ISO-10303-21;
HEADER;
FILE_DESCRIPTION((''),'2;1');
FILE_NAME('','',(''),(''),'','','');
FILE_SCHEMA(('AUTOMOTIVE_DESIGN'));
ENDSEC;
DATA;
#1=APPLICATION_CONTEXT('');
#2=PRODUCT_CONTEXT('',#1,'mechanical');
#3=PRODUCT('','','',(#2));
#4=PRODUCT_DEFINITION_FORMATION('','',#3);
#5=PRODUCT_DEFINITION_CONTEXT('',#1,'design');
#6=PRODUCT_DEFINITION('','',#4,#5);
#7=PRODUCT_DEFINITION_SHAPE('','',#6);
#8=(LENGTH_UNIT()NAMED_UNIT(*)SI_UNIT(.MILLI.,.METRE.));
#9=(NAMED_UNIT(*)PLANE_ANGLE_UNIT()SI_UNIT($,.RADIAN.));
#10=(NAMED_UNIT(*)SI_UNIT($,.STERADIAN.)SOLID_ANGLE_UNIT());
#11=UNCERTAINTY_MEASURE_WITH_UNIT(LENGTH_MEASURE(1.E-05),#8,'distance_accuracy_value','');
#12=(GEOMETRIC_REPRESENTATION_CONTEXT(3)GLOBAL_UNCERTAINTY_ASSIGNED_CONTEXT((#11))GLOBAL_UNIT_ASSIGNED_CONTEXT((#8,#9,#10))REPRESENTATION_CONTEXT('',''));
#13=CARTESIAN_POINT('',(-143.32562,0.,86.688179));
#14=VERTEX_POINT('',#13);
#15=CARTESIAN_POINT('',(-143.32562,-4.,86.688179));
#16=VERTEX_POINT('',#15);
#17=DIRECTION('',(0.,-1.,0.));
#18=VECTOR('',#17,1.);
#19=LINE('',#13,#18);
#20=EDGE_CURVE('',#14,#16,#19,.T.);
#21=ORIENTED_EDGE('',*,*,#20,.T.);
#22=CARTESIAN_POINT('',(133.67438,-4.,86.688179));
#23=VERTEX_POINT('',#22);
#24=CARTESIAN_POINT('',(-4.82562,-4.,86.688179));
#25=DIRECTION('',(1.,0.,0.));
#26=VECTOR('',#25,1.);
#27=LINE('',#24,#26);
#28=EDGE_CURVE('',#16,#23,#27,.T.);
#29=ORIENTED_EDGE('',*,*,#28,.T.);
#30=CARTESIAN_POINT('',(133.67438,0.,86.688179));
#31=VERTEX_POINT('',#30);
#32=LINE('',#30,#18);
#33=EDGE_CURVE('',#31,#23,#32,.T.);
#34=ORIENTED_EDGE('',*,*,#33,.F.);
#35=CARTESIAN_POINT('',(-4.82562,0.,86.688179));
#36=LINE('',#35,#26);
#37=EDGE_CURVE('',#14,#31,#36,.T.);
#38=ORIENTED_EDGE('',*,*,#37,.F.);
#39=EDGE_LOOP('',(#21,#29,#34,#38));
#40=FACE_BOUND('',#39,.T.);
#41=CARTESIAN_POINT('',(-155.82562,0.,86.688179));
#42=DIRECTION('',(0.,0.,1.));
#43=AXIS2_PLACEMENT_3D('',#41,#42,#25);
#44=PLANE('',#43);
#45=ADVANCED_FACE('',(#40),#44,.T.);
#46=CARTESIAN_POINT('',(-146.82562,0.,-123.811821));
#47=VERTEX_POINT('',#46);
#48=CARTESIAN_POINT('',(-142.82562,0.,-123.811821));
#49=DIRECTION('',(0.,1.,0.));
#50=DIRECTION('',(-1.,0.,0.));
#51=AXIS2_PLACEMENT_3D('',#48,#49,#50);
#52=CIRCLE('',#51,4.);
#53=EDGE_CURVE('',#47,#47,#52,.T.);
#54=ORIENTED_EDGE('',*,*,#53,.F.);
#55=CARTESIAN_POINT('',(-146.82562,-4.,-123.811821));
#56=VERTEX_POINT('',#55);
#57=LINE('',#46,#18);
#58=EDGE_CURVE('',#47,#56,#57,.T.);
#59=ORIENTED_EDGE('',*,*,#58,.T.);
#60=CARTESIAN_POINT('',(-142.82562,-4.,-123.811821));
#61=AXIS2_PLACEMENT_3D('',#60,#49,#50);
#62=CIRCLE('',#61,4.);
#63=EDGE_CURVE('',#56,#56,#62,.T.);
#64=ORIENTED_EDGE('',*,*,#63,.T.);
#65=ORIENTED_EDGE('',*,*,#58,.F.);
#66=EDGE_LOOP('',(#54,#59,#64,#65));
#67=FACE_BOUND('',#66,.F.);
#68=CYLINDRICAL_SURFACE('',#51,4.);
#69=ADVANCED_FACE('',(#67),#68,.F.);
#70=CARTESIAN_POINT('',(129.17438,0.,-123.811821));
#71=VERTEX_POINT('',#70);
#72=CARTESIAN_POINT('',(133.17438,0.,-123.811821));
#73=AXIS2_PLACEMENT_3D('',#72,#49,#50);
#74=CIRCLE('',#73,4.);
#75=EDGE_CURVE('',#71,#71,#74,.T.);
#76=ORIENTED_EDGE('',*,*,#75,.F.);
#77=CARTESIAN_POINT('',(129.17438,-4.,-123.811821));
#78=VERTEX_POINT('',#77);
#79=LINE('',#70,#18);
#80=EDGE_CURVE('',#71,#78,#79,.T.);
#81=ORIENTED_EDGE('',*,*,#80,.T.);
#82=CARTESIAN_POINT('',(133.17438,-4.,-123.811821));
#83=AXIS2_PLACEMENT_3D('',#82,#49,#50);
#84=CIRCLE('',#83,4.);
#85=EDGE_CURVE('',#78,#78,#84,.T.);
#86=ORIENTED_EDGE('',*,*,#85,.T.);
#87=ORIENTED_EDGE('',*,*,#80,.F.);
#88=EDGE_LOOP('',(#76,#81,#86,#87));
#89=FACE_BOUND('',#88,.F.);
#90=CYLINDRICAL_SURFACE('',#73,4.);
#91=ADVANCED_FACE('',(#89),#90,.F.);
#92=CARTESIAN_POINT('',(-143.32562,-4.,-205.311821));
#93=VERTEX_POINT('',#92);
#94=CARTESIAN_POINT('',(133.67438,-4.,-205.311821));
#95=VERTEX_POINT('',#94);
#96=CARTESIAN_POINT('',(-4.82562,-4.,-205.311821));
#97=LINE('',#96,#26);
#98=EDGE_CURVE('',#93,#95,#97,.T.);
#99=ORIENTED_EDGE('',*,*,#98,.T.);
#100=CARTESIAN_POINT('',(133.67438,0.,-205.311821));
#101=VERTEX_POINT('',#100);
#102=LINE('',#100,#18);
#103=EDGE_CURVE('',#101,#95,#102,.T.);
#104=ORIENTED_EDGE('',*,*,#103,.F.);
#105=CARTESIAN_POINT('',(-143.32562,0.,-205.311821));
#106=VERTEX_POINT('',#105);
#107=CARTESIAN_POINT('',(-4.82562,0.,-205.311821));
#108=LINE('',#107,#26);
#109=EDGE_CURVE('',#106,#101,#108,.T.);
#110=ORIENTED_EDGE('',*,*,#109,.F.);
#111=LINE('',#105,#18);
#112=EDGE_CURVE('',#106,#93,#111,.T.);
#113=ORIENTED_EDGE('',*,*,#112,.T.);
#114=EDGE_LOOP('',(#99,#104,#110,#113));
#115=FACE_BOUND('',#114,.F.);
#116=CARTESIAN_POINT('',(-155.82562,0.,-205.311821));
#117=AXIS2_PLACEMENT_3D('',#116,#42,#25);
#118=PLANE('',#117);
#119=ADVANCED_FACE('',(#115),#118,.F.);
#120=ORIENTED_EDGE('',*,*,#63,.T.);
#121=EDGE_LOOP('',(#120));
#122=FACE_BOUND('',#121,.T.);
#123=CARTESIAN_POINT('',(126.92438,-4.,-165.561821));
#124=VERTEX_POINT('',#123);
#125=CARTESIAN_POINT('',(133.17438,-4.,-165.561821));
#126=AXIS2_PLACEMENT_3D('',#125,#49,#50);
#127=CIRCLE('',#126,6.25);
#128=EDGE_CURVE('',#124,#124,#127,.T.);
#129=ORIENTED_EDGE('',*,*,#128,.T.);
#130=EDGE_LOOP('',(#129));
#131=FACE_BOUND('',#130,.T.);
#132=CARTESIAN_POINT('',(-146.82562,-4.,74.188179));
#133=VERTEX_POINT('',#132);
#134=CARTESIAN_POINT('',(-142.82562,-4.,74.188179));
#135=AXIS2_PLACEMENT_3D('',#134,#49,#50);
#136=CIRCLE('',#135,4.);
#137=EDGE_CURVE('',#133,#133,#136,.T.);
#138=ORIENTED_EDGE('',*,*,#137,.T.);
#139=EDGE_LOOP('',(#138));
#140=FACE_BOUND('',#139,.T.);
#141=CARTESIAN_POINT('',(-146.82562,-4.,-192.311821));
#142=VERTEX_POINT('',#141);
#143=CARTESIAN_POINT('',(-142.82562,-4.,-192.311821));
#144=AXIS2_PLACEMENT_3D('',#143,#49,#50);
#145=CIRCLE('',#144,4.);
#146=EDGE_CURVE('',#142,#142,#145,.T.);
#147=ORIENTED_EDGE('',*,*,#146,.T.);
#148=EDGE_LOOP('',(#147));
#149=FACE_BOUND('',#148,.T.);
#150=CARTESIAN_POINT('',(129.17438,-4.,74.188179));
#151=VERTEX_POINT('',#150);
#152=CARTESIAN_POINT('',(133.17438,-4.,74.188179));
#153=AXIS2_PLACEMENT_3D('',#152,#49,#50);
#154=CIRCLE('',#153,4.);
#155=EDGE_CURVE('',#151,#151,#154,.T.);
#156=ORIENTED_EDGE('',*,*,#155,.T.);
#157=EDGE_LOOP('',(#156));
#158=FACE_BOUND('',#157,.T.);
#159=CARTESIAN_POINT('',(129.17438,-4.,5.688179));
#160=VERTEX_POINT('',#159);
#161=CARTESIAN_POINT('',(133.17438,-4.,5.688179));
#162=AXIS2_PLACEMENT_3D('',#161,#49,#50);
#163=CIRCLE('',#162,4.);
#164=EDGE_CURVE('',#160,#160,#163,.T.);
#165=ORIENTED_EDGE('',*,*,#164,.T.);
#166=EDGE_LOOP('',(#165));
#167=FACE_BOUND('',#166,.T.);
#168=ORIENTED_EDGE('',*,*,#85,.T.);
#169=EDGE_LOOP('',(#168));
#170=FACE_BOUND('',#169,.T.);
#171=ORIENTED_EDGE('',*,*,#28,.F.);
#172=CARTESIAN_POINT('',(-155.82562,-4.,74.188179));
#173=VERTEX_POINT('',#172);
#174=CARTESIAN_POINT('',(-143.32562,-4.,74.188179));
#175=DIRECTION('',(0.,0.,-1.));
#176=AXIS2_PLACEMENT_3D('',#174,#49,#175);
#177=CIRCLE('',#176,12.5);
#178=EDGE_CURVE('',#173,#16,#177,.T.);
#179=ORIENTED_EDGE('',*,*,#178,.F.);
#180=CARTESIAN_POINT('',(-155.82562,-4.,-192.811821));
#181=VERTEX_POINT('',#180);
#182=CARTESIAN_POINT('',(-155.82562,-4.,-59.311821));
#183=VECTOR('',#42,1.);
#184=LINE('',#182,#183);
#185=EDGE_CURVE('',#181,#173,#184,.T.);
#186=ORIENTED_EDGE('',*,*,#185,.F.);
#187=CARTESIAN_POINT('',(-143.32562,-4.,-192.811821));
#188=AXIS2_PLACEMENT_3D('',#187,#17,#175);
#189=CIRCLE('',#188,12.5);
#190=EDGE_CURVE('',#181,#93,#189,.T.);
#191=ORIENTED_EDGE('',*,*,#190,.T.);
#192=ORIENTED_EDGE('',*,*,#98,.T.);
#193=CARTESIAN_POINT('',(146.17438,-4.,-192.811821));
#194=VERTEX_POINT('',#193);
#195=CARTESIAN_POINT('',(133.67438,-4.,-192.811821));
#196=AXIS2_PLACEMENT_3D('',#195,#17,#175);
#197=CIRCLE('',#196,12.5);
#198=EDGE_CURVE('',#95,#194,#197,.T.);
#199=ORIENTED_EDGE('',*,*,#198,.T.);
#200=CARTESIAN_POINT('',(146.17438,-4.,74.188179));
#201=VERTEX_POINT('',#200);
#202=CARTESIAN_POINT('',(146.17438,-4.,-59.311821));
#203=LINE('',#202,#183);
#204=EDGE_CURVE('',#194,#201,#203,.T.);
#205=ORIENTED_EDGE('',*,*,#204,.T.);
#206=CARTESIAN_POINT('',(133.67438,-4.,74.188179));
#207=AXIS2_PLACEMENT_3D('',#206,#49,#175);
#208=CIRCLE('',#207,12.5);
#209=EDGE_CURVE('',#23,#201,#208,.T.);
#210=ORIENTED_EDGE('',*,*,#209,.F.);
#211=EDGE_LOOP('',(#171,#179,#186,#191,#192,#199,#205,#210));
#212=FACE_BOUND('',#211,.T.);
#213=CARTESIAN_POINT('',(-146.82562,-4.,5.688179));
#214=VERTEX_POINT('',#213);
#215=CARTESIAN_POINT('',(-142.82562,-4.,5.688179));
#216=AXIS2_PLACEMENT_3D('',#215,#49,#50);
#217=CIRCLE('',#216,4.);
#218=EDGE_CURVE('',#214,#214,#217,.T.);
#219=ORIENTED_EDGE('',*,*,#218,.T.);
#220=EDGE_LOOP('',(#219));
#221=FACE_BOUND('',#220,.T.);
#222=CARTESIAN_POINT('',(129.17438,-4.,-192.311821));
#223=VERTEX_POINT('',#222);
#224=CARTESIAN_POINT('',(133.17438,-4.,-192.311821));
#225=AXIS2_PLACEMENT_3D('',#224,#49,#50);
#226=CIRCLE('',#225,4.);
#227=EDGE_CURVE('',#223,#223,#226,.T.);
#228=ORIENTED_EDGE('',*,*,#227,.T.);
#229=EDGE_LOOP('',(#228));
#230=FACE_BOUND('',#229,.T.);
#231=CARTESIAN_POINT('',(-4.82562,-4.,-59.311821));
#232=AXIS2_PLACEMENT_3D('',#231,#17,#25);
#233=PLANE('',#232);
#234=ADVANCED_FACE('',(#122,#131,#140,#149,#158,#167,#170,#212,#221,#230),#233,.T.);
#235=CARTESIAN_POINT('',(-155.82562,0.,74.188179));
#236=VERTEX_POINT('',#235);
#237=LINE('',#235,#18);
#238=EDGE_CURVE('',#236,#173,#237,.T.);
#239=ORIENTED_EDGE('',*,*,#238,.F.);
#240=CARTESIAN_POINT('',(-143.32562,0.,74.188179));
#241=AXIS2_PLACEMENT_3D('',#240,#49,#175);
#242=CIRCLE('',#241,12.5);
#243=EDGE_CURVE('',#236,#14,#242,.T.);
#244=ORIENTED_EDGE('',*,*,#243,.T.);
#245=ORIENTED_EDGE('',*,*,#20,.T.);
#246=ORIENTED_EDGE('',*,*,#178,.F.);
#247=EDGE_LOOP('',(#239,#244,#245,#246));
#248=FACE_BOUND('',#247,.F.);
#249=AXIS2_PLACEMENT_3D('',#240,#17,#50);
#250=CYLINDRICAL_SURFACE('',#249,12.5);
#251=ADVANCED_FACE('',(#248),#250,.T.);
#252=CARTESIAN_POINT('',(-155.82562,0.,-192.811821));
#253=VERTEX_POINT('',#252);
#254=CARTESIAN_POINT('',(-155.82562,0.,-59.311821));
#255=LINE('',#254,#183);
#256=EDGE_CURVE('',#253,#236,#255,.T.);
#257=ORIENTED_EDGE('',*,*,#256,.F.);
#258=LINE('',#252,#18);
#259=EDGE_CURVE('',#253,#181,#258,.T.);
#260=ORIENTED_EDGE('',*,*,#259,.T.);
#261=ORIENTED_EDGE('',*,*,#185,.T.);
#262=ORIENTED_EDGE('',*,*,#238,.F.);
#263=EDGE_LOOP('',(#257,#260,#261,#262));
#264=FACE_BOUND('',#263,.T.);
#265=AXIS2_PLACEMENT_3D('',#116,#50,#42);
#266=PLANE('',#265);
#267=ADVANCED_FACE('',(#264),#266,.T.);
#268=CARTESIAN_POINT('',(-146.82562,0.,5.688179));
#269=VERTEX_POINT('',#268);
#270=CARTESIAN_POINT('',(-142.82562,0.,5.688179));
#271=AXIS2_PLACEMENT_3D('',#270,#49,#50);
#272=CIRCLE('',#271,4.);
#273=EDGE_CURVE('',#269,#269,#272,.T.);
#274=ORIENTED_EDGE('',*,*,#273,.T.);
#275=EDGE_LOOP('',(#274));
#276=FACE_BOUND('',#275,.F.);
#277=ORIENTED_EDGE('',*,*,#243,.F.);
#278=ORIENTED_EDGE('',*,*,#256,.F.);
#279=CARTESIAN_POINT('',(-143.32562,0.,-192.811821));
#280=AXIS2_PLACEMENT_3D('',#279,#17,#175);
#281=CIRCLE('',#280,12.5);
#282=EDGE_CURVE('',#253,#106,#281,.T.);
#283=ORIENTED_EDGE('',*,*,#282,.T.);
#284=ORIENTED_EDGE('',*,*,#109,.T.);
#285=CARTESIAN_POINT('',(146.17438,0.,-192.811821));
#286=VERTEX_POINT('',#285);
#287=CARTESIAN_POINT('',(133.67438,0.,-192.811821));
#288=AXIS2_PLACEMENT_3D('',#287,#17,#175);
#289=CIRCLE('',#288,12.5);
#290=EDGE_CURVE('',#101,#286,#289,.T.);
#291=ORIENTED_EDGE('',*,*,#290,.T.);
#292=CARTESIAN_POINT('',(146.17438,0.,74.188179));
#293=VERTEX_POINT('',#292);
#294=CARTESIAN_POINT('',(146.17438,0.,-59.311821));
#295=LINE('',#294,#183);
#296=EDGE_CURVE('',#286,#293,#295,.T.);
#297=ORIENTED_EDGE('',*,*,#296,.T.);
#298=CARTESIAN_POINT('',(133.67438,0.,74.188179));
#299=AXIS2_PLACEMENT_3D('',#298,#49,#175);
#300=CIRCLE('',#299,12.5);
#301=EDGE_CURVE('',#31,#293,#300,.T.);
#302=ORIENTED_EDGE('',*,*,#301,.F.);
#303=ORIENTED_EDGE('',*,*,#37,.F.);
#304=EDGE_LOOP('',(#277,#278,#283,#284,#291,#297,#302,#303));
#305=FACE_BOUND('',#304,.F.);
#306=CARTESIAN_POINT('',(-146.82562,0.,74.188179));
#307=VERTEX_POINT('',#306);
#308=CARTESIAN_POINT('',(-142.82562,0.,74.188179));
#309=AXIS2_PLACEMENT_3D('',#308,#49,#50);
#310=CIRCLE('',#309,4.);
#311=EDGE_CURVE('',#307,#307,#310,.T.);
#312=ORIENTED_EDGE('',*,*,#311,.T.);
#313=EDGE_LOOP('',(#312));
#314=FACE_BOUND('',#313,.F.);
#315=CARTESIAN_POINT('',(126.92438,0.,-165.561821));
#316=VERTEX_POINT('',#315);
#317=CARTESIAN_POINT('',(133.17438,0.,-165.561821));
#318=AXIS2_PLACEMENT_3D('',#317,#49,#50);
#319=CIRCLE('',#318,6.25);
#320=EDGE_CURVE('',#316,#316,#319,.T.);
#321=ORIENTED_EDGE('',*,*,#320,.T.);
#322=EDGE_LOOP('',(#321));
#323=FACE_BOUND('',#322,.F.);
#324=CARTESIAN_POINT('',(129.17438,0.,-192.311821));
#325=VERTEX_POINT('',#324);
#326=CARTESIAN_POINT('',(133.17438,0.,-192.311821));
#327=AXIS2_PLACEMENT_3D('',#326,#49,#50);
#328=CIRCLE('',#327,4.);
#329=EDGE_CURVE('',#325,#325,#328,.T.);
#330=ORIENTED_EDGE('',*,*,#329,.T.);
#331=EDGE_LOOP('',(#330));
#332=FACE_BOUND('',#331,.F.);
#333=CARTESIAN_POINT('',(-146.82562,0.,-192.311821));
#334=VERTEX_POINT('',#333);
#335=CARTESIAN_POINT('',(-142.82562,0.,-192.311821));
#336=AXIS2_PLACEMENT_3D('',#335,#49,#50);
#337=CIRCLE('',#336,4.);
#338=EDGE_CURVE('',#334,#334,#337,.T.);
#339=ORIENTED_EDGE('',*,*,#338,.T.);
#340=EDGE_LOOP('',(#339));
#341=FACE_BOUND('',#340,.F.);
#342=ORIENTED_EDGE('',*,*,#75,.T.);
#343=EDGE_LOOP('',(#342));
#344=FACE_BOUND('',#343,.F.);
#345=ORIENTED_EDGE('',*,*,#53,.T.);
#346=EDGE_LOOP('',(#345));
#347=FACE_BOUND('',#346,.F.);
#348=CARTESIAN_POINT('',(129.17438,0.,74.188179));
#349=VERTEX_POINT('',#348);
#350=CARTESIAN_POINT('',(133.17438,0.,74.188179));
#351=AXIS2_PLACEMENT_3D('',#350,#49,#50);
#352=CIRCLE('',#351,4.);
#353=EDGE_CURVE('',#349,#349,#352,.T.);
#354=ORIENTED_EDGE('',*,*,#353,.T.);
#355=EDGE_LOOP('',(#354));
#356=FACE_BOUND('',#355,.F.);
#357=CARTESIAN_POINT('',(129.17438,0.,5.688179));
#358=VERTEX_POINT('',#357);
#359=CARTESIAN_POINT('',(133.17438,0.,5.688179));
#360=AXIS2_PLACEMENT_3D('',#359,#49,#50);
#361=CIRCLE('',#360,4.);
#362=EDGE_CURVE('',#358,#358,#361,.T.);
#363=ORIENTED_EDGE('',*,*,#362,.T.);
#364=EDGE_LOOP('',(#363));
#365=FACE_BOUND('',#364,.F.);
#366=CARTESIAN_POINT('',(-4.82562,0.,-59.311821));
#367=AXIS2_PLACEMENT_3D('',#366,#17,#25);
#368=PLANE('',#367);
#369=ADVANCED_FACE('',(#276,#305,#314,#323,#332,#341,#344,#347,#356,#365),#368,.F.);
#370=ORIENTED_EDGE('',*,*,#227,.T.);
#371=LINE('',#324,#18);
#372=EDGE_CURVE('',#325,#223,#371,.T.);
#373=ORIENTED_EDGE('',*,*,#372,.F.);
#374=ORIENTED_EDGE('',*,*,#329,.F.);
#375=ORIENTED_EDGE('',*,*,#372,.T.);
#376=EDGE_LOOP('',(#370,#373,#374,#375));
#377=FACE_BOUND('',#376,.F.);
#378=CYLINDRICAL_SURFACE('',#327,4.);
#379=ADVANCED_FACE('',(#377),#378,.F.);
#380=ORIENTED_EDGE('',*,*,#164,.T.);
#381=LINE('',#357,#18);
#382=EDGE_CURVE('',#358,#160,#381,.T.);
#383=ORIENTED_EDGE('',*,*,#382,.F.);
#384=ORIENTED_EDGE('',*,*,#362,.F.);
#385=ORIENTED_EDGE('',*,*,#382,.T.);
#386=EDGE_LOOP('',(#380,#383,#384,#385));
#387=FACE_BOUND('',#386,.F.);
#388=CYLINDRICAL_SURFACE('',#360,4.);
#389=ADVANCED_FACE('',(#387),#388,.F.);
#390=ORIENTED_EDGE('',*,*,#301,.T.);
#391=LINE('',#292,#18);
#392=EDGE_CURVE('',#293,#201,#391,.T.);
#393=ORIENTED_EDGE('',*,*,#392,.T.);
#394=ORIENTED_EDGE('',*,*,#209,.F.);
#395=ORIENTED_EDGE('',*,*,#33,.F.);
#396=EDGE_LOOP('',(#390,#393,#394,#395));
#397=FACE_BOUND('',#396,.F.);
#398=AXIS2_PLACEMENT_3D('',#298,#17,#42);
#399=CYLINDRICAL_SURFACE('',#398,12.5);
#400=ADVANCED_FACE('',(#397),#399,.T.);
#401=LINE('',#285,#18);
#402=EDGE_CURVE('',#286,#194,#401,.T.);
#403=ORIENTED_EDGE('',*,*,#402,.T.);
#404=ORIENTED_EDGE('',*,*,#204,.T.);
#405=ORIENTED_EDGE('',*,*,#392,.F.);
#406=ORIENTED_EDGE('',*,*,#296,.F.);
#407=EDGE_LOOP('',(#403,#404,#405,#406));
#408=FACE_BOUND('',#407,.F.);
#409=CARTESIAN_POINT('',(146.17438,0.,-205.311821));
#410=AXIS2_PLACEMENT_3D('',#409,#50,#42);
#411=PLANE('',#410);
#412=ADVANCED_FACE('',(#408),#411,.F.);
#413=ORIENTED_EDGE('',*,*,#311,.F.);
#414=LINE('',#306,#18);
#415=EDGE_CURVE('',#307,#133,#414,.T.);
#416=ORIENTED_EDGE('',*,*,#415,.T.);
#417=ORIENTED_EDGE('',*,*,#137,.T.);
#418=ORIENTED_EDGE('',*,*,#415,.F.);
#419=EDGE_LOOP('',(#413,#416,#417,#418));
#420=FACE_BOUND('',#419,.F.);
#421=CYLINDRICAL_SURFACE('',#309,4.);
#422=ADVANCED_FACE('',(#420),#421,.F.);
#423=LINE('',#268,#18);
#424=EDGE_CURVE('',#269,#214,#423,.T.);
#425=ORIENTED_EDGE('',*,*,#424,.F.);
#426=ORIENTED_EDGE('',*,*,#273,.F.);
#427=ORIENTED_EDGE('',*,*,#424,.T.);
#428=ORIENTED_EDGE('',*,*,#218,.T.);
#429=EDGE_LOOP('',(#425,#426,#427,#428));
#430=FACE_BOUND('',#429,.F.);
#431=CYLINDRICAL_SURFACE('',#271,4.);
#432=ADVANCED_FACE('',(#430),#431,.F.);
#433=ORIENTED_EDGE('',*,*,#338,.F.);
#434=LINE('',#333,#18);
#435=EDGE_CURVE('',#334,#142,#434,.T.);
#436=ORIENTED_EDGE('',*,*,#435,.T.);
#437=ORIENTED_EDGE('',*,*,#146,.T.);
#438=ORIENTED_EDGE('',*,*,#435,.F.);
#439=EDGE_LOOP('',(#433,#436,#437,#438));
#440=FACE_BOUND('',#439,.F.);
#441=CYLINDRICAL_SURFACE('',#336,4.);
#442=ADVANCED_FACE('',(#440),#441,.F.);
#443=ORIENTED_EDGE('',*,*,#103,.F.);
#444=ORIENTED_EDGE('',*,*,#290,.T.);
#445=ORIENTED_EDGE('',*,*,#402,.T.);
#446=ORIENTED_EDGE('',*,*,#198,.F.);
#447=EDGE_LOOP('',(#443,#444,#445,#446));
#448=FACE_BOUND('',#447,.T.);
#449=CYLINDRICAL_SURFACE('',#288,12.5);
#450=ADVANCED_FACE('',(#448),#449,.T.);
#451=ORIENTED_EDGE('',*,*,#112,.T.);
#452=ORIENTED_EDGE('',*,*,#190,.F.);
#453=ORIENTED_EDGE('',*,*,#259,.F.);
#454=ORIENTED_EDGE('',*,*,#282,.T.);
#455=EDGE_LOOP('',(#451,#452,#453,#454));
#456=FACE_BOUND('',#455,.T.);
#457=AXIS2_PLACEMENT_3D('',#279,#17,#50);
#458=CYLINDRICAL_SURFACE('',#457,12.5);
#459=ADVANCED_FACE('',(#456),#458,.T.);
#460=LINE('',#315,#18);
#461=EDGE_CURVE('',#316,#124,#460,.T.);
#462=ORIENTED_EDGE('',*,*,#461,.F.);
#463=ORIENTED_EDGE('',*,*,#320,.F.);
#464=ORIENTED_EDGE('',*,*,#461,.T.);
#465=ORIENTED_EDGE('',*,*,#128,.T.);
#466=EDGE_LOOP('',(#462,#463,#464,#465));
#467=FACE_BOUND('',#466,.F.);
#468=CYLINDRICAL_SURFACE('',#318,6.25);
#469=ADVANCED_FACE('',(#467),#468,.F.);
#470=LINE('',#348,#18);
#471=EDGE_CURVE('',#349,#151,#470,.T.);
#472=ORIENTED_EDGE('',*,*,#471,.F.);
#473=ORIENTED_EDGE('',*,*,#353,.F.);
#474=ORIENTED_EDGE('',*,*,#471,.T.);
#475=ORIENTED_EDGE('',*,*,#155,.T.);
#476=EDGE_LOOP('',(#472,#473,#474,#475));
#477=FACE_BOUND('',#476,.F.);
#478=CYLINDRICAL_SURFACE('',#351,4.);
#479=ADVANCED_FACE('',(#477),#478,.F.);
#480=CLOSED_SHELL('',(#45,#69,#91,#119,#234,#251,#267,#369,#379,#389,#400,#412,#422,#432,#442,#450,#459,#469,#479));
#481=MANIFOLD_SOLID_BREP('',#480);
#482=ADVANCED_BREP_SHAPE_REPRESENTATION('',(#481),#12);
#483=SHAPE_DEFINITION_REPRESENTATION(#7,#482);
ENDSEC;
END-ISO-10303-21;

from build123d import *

# Parameters (mm, degrees)
F0_W     = 302
F0_H     = 292
F1_DEPTH = 4
F2_R     = 4
F2_R_2   = 6.25
F3_DEPTH = 25
F4_R     = 12.5


with BuildPart() as f1:
    # F0 (on Front) → F1 (new body)
    with BuildSketch(Plane.XZ):
        with Locations((-4.82562, -59.311821)):
            Rectangle(F0_W, F0_H)
    extrude(amount=F1_DEPTH)

    # F2 (on face) → F3 (cut)
    with BuildSketch(Plane(origin=(0, 0, 0), x_dir=(-1, 0, 0), z_dir=(0, 1, 0))):
        with Locations((-133.17438, -192.311821)):
            Circle(F2_R)
        with Locations((-133.17438, -123.811821)):
            Circle(F2_R)
        with Locations((-133.17438, 5.688179)):
            Circle(F2_R)
        with Locations((-133.17438, 74.188179)):
            Circle(F2_R)
        with Locations((142.82562, -192.311821)):
            Circle(F2_R)
        with Locations((142.82562, -123.811821)):
            Circle(F2_R)
        with Locations((142.82562, 5.688179)):
            Circle(F2_R)
        with Locations((142.82562, 74.188179)):
            Circle(F2_R)
        with Locations((-133.17438, -165.561821)):
            Circle(F2_R_2)
    extrude(amount=-F3_DEPTH, mode=Mode.SUBTRACT)

    # F4
    f4_edges = [f1.edges().sort_by_distance(p)[0] for p in [
        (146.17438, -2, 86.688179),
        (146.17438, -2, -205.311821),
        (-155.82562, -2, -205.311821),
        (-155.82562, -2, 86.688179),
    ]]
    fillet(f4_edges, radius=F4_R)


solid = f1.part
